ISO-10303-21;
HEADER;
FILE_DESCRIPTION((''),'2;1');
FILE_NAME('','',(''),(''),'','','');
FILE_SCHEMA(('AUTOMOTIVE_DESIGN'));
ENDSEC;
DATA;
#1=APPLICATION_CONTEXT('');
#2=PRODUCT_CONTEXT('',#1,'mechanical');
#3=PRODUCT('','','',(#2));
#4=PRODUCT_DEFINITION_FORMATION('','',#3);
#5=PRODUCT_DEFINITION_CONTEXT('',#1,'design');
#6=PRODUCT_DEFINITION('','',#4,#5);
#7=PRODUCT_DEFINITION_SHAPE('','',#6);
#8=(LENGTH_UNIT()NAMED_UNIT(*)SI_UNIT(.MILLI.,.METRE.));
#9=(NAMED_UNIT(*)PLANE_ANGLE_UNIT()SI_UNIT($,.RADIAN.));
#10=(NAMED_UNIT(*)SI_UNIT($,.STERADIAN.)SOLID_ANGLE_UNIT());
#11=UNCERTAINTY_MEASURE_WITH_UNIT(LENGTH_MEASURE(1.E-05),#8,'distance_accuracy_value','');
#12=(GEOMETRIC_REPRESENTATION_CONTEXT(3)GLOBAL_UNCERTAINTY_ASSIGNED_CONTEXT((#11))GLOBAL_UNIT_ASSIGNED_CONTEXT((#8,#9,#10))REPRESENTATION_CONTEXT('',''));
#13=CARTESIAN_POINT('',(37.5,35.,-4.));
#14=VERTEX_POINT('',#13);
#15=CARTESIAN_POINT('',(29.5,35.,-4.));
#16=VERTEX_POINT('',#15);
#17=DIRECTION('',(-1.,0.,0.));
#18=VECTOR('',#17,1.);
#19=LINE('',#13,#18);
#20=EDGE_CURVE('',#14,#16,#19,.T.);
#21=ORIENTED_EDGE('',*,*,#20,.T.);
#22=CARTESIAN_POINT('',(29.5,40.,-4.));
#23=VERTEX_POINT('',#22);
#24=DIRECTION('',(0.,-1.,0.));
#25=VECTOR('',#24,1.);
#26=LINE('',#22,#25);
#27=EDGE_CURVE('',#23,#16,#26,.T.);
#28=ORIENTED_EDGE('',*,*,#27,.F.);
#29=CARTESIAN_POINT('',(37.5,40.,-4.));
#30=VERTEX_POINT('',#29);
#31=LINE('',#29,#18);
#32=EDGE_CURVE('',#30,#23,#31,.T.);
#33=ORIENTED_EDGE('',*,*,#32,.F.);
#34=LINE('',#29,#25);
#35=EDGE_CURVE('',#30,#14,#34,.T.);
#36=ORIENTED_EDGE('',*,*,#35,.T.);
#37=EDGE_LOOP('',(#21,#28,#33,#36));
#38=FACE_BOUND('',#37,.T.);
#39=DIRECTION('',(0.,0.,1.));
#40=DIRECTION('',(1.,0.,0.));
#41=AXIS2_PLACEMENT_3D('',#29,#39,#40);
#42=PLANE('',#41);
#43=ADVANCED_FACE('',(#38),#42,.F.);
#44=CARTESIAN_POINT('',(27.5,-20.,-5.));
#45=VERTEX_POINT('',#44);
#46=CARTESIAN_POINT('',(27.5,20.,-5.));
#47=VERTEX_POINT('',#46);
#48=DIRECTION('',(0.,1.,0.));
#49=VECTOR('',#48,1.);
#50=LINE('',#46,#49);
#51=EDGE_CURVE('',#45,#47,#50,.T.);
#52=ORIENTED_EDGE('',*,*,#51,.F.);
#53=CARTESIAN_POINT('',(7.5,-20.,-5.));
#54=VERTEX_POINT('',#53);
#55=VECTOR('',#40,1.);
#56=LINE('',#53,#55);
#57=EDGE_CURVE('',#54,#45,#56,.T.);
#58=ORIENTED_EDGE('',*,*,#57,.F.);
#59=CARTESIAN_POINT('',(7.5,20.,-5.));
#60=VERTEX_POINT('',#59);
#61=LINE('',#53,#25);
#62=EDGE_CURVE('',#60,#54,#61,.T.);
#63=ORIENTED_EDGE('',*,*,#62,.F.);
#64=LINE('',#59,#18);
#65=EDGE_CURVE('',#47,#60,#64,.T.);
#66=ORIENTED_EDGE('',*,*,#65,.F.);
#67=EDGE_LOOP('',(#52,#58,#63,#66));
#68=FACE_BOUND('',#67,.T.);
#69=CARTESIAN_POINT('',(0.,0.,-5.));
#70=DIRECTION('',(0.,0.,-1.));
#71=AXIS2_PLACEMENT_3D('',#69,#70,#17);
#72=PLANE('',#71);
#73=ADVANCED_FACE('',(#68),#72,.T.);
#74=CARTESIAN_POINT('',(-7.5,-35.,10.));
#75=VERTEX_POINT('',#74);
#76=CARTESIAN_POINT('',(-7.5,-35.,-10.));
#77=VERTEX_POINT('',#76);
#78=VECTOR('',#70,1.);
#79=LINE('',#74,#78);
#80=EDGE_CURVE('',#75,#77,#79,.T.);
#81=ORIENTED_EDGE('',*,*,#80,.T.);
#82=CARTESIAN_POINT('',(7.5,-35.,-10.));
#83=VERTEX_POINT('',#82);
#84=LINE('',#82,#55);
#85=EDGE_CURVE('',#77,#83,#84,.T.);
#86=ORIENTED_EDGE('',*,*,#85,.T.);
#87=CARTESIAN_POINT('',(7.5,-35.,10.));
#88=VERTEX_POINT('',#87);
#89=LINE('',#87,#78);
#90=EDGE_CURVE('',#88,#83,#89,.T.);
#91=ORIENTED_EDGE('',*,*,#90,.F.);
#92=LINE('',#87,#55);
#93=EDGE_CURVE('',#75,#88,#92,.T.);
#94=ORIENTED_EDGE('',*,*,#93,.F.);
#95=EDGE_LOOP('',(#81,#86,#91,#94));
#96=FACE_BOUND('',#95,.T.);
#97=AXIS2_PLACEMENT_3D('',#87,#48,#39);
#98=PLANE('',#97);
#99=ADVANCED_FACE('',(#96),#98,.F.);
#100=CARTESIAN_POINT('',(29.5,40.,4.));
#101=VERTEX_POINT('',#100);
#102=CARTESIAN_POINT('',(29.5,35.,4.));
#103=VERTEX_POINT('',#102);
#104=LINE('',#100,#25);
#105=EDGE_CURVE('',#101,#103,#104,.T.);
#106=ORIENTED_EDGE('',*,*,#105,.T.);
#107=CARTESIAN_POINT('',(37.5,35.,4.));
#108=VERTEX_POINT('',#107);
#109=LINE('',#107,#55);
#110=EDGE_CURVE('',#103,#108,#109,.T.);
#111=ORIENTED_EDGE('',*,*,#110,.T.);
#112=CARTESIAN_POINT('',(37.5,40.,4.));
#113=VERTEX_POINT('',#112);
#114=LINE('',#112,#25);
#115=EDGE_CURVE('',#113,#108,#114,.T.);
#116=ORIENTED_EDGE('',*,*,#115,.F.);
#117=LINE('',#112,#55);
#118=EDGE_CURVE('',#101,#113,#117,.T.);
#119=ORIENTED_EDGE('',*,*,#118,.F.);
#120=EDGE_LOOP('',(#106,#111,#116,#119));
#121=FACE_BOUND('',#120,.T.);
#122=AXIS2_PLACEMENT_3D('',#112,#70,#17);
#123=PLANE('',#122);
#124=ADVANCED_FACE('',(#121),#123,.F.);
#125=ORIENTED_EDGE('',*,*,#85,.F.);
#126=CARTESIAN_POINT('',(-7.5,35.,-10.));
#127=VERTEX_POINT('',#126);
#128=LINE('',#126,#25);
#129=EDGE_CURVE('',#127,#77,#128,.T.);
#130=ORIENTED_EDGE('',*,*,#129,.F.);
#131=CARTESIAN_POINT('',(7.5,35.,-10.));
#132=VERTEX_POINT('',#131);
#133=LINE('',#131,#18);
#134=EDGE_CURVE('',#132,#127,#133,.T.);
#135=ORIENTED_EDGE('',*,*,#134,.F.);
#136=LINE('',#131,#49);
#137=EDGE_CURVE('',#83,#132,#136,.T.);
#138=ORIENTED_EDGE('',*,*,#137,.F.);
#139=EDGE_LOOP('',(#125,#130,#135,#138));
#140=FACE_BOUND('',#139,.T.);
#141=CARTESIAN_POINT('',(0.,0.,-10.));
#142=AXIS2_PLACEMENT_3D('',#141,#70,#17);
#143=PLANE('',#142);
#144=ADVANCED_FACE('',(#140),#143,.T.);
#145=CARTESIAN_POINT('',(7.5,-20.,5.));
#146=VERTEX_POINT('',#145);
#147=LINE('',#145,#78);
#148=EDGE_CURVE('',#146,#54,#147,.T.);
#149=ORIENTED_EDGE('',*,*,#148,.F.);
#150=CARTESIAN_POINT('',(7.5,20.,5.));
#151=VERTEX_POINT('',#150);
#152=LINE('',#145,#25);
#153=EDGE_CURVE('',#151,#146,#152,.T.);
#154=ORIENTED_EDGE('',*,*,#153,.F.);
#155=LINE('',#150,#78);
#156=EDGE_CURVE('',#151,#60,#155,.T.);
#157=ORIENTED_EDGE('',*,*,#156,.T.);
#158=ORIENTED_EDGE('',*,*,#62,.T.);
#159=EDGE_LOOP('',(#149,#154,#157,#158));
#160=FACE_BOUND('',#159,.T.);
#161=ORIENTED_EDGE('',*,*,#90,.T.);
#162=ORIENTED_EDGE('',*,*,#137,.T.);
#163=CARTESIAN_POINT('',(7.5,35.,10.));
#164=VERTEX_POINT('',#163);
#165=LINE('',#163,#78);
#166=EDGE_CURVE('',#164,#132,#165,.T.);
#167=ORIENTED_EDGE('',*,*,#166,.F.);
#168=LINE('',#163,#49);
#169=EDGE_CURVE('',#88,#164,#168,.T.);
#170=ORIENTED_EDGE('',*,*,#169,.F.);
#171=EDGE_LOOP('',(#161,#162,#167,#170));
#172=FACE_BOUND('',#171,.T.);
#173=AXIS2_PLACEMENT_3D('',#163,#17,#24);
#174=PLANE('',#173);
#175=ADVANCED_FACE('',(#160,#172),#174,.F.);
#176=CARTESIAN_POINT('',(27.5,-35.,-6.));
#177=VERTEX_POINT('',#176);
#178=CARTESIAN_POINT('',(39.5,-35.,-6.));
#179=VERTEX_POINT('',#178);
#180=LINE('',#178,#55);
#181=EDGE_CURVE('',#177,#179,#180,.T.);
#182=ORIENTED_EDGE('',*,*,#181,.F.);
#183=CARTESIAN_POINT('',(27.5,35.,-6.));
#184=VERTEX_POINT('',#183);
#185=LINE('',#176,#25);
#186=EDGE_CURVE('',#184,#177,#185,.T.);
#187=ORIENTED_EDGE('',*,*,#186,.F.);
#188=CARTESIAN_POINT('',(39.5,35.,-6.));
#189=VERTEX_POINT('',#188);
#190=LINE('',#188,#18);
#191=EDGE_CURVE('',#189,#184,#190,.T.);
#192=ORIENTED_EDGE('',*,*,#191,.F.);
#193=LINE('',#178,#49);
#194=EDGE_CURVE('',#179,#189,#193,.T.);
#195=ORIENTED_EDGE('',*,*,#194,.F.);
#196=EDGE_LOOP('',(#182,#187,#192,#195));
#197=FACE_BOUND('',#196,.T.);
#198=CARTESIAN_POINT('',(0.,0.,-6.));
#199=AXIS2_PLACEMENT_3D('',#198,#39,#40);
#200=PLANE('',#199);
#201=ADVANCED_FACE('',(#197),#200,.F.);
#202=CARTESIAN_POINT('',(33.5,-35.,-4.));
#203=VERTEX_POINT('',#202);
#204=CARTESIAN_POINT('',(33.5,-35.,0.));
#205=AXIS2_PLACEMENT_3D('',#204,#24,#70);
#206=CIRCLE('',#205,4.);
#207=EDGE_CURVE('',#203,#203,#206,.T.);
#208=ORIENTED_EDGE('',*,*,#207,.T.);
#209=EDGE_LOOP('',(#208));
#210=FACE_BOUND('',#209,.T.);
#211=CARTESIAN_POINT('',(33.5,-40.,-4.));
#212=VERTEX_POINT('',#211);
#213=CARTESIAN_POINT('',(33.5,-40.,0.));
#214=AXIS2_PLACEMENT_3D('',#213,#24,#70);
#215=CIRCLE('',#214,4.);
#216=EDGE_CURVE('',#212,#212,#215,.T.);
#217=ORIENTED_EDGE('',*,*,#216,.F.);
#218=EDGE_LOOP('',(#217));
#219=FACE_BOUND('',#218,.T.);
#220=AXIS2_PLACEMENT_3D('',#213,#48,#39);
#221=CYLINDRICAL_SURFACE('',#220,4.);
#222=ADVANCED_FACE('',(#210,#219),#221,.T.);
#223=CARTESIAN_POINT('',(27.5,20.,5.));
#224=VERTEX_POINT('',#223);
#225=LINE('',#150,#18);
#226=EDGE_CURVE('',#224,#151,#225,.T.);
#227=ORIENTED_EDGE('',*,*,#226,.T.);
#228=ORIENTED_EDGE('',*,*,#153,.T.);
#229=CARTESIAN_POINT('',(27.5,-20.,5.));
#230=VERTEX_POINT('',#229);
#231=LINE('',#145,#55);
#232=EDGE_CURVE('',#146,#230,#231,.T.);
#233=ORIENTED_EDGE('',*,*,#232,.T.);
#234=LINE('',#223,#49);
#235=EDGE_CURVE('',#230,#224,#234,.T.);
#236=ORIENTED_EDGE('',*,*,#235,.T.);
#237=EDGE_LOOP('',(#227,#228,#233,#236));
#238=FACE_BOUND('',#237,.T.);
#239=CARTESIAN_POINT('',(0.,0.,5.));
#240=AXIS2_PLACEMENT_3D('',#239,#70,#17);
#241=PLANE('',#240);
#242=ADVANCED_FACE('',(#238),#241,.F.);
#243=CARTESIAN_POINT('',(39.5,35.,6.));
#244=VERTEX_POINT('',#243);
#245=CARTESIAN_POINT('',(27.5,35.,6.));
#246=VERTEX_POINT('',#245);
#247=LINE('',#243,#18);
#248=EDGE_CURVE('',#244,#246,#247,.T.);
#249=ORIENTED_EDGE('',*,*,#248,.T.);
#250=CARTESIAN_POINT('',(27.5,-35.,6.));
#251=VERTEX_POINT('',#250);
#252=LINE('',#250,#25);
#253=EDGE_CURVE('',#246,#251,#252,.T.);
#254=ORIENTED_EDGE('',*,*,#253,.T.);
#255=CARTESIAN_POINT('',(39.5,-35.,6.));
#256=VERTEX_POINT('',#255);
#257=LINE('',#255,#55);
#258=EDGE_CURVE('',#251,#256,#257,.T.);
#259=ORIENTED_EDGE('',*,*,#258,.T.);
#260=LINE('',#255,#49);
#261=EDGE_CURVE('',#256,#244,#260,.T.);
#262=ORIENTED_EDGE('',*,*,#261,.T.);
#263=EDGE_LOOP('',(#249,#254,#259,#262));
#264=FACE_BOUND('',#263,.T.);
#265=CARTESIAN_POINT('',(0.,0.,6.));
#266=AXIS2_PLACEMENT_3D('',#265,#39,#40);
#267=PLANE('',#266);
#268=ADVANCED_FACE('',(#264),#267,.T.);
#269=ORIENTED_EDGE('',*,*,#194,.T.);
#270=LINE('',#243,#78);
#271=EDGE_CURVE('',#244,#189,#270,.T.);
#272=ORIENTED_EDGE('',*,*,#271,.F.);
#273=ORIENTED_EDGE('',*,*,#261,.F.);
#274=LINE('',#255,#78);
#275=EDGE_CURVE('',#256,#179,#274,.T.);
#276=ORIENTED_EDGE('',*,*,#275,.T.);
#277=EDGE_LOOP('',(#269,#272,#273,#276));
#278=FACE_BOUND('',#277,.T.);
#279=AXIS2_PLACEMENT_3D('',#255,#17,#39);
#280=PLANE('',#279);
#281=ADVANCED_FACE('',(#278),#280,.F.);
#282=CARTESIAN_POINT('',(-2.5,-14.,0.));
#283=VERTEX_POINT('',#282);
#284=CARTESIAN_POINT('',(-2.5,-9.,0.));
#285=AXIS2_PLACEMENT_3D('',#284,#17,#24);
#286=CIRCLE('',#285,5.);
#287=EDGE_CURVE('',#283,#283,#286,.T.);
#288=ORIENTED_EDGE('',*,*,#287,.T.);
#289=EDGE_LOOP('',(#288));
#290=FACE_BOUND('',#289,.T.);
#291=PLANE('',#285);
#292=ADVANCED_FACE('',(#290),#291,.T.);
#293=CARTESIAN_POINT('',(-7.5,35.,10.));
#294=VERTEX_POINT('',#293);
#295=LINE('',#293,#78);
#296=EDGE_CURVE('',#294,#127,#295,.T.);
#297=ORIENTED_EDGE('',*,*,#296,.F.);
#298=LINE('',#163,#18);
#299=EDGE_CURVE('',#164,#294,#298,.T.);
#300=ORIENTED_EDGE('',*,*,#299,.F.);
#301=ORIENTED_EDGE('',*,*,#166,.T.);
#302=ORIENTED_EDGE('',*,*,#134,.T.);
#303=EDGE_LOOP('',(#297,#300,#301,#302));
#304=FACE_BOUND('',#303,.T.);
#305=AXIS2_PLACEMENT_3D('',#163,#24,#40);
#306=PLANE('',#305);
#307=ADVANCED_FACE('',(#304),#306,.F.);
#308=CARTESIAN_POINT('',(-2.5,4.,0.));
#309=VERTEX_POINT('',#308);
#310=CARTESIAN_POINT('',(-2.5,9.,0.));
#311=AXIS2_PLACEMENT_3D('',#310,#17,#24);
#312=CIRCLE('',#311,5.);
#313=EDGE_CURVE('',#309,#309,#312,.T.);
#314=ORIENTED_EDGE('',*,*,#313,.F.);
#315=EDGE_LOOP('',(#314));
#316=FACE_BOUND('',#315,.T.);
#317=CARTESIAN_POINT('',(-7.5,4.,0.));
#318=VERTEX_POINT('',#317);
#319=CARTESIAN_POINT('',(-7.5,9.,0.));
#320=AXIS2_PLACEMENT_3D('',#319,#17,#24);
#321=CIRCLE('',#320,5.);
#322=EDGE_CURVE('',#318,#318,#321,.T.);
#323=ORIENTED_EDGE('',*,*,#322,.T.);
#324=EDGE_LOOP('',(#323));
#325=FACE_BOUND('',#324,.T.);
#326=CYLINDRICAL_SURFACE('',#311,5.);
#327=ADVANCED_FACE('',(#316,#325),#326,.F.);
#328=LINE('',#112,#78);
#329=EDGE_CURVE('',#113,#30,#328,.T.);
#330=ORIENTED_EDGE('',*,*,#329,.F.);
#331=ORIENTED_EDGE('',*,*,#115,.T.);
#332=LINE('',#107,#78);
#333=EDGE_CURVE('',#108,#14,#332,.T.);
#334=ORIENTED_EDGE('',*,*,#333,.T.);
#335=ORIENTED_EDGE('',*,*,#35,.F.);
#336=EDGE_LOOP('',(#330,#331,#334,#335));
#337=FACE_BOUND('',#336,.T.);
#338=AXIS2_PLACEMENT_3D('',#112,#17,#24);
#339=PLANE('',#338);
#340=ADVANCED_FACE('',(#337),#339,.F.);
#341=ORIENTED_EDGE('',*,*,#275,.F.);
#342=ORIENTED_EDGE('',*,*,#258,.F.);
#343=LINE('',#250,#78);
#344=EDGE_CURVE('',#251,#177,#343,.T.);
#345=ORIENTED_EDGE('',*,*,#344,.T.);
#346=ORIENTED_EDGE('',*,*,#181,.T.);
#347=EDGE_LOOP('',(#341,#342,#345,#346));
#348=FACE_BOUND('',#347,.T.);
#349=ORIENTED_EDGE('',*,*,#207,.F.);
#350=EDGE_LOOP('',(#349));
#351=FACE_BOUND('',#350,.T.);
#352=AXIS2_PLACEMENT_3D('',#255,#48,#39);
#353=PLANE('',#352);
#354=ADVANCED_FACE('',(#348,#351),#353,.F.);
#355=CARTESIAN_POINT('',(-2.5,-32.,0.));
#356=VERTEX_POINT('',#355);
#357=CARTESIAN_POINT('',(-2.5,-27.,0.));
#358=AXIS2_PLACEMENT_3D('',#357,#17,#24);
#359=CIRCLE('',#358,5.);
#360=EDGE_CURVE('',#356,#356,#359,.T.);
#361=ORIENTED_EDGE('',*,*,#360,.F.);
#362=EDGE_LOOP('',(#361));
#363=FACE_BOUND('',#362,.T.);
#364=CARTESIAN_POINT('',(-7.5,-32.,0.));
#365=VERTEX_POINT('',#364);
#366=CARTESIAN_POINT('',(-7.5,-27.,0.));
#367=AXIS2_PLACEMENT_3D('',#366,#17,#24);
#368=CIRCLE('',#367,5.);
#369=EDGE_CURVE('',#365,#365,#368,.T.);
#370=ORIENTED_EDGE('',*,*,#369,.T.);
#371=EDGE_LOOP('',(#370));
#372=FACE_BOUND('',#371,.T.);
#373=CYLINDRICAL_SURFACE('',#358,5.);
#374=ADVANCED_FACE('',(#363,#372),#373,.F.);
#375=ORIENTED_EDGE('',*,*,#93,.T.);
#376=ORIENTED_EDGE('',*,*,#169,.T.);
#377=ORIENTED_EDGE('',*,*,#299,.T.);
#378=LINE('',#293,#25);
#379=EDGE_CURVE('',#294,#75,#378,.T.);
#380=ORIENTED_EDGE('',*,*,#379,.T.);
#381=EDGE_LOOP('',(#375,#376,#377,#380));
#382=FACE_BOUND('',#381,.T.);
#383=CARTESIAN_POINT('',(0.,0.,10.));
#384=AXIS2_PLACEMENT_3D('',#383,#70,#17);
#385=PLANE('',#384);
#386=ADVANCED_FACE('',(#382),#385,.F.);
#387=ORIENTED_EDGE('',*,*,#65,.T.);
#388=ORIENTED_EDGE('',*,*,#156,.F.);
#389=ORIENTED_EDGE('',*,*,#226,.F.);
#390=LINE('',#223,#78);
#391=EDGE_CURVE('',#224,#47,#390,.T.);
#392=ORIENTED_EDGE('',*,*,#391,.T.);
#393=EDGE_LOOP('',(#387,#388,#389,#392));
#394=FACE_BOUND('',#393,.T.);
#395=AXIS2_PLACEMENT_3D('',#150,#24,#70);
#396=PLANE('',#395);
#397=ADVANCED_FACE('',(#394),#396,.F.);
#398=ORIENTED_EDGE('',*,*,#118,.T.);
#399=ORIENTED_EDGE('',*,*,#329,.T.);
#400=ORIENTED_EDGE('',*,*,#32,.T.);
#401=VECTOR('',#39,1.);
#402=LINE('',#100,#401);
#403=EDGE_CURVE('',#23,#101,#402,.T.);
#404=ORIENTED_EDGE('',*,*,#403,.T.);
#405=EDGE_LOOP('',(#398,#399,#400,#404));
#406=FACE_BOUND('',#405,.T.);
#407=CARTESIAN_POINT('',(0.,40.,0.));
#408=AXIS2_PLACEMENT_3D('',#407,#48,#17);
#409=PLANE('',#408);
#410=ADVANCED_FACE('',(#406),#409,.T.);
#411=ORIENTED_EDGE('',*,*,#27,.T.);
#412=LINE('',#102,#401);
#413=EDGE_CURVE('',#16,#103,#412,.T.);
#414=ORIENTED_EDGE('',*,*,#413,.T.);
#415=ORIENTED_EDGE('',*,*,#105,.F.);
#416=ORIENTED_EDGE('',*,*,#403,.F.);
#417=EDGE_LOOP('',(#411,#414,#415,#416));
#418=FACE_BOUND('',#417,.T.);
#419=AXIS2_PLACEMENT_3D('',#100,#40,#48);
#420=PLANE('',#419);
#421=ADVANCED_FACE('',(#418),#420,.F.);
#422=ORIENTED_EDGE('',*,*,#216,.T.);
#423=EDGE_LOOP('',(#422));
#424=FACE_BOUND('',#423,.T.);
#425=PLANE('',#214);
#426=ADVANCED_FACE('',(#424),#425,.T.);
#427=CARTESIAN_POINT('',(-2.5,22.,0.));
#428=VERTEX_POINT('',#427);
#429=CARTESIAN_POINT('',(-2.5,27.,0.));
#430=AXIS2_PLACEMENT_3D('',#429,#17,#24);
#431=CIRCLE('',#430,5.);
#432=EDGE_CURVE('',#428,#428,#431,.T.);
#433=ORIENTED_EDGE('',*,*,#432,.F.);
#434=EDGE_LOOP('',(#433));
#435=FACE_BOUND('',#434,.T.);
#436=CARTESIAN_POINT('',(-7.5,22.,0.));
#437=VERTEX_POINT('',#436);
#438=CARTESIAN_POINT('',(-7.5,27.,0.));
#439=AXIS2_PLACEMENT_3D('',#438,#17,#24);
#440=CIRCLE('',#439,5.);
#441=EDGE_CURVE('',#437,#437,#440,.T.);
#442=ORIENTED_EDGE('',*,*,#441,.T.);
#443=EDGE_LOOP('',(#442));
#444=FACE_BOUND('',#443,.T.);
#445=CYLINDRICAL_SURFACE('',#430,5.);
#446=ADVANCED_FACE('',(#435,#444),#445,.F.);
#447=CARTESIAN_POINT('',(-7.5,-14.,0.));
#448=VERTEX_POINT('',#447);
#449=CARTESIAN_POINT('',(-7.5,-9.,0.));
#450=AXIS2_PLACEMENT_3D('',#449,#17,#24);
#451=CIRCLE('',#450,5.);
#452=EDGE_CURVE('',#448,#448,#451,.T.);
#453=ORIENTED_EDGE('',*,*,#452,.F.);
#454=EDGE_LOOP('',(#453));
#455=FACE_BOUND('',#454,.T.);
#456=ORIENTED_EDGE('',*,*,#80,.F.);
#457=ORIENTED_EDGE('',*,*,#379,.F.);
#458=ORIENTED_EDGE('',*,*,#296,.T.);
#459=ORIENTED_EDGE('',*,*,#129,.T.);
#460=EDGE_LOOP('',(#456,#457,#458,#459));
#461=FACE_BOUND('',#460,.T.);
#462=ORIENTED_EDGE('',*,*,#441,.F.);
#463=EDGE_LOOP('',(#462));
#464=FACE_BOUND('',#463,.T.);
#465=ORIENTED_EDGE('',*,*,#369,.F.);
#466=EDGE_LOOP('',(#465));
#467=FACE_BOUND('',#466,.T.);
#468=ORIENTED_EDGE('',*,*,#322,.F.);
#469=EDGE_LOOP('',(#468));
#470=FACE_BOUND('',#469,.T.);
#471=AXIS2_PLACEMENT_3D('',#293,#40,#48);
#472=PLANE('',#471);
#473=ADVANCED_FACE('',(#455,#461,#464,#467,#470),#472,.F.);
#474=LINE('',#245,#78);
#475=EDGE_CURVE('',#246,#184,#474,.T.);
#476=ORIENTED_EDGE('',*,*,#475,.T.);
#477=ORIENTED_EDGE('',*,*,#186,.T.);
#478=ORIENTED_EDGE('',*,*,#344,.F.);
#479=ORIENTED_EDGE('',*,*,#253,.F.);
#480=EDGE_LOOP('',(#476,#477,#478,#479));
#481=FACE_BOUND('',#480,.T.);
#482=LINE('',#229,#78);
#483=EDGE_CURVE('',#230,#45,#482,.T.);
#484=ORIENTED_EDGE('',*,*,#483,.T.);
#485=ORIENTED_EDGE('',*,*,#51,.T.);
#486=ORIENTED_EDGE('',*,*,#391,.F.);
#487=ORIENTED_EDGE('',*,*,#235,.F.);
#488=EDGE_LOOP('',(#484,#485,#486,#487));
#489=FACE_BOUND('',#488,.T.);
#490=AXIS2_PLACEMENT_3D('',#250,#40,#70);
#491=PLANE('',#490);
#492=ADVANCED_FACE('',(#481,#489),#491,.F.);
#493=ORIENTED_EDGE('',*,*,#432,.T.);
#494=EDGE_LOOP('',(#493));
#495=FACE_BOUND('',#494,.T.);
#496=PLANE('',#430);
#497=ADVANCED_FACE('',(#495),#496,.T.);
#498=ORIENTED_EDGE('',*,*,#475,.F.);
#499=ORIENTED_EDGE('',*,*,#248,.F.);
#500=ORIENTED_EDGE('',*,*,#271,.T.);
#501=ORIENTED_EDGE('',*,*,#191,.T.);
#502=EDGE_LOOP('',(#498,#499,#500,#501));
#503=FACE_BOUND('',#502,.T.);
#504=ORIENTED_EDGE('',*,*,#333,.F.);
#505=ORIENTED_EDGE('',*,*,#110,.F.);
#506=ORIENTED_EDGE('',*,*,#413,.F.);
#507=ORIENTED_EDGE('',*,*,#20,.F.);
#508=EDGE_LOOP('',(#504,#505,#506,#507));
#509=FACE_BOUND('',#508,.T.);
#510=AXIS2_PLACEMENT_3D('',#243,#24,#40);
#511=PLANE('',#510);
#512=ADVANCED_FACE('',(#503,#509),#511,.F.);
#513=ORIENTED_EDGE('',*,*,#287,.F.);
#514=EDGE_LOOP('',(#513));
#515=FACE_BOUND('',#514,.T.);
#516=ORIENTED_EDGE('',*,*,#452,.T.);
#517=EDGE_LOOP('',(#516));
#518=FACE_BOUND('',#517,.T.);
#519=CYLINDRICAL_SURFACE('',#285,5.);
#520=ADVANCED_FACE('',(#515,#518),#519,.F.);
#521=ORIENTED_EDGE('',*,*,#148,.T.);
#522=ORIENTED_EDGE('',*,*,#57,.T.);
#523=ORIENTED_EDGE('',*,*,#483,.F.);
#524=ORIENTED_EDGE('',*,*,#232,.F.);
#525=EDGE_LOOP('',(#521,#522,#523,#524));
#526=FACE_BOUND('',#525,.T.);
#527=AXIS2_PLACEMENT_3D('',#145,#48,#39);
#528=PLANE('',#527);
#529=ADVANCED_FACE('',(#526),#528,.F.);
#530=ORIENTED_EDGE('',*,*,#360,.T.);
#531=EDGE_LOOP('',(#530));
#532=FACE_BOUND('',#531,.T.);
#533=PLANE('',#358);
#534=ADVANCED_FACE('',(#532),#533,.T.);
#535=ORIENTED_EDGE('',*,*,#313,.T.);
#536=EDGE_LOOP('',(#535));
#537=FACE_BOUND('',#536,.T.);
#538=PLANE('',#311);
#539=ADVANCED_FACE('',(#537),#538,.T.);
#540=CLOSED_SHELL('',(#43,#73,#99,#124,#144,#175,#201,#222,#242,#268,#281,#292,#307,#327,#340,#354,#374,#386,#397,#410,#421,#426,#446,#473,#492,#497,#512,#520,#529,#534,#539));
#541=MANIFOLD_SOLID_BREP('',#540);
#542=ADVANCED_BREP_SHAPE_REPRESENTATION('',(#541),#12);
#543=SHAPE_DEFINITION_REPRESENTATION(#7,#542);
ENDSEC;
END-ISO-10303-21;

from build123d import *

# Parameters (mm, degrees)
SKETCH1_W           = 15
SKETCH1_H           = 70
BOSS_EXTRUDE1_DEPTH = 10
SKETCH2_W           = 20
SKETCH2_H           = 40
BOSS_EXTRUDE2_DEPTH = 5
SKETCH5_W           = 12
SKETCH5_H           = 70
BOSS_EXTRUDE4_DEPTH = 6
SKETCH6_W           = 8
SKETCH6_H           = 8
BOSS_EXTRUDE5_DEPTH = 5
SKETCH7_R           = 4
BOSS_EXTRUDE6_DEPTH = 5
SKETCH8_R           = 5
CUT_EXTRUDE1_DEPTH  = 5


with BuildPart() as part:
    # Sketch1 → Boss-Extrude1 (new, symmetric)
    with BuildSketch(Plane.XY):
        Rectangle(SKETCH1_W, SKETCH1_H)
    extrude(amount=BOSS_EXTRUDE1_DEPTH, both=True)

    # Sketch2 → Boss-Extrude2 (add, symmetric)
    with BuildSketch(Plane.XY):
        with Locations((17.5, 0)):
            Rectangle(SKETCH2_W, SKETCH2_H)
    extrude(amount=BOSS_EXTRUDE2_DEPTH, both=True)

    # Sketch5 → Boss-Extrude4 (add, symmetric)
    with BuildSketch(Plane.XY):
        with Locations((33.5, 0)):
            Rectangle(SKETCH5_W, SKETCH5_H)
    extrude(amount=BOSS_EXTRUDE4_DEPTH, both=True)

    # Sketch6 → Boss-Extrude5 (add)
    with BuildSketch(Plane(origin=(0, 35, 0), x_dir=(1, 0, 0), z_dir=(0, 1, 0))):
        with Locations((33.5, 0)):
            Rectangle(SKETCH6_W, SKETCH6_H)
    extrude(amount=BOSS_EXTRUDE5_DEPTH)

    # Sketch7 → Boss-Extrude6 (add)
    with BuildSketch(Plane.XZ.offset(35)):
        with Locations(Location((33.5, 0, 0), (0, 0, 270))):
            Circle(SKETCH7_R)
    extrude(amount=BOSS_EXTRUDE6_DEPTH)

    # Sketch8 → Cut-Extrude1 (cut)
    with BuildSketch(Plane.ZY.offset(7.5)):
        with Locations(Location((0, 27, 0), (0, 0, 270))):
            Circle(SKETCH8_R)
        with Locations(Location((0, 9, 0), (0, 0, 270))):
            Circle(SKETCH8_R)
        with Locations(Location((0, -9, 0), (0, 0, 270))):
            Circle(SKETCH8_R)
        with Locations(Location((0, -27, 0), (0, 0, 270))):
            Circle(SKETCH8_R)
    extrude(amount=-CUT_EXTRUDE1_DEPTH, mode=Mode.SUBTRACT)


solid = part.part
